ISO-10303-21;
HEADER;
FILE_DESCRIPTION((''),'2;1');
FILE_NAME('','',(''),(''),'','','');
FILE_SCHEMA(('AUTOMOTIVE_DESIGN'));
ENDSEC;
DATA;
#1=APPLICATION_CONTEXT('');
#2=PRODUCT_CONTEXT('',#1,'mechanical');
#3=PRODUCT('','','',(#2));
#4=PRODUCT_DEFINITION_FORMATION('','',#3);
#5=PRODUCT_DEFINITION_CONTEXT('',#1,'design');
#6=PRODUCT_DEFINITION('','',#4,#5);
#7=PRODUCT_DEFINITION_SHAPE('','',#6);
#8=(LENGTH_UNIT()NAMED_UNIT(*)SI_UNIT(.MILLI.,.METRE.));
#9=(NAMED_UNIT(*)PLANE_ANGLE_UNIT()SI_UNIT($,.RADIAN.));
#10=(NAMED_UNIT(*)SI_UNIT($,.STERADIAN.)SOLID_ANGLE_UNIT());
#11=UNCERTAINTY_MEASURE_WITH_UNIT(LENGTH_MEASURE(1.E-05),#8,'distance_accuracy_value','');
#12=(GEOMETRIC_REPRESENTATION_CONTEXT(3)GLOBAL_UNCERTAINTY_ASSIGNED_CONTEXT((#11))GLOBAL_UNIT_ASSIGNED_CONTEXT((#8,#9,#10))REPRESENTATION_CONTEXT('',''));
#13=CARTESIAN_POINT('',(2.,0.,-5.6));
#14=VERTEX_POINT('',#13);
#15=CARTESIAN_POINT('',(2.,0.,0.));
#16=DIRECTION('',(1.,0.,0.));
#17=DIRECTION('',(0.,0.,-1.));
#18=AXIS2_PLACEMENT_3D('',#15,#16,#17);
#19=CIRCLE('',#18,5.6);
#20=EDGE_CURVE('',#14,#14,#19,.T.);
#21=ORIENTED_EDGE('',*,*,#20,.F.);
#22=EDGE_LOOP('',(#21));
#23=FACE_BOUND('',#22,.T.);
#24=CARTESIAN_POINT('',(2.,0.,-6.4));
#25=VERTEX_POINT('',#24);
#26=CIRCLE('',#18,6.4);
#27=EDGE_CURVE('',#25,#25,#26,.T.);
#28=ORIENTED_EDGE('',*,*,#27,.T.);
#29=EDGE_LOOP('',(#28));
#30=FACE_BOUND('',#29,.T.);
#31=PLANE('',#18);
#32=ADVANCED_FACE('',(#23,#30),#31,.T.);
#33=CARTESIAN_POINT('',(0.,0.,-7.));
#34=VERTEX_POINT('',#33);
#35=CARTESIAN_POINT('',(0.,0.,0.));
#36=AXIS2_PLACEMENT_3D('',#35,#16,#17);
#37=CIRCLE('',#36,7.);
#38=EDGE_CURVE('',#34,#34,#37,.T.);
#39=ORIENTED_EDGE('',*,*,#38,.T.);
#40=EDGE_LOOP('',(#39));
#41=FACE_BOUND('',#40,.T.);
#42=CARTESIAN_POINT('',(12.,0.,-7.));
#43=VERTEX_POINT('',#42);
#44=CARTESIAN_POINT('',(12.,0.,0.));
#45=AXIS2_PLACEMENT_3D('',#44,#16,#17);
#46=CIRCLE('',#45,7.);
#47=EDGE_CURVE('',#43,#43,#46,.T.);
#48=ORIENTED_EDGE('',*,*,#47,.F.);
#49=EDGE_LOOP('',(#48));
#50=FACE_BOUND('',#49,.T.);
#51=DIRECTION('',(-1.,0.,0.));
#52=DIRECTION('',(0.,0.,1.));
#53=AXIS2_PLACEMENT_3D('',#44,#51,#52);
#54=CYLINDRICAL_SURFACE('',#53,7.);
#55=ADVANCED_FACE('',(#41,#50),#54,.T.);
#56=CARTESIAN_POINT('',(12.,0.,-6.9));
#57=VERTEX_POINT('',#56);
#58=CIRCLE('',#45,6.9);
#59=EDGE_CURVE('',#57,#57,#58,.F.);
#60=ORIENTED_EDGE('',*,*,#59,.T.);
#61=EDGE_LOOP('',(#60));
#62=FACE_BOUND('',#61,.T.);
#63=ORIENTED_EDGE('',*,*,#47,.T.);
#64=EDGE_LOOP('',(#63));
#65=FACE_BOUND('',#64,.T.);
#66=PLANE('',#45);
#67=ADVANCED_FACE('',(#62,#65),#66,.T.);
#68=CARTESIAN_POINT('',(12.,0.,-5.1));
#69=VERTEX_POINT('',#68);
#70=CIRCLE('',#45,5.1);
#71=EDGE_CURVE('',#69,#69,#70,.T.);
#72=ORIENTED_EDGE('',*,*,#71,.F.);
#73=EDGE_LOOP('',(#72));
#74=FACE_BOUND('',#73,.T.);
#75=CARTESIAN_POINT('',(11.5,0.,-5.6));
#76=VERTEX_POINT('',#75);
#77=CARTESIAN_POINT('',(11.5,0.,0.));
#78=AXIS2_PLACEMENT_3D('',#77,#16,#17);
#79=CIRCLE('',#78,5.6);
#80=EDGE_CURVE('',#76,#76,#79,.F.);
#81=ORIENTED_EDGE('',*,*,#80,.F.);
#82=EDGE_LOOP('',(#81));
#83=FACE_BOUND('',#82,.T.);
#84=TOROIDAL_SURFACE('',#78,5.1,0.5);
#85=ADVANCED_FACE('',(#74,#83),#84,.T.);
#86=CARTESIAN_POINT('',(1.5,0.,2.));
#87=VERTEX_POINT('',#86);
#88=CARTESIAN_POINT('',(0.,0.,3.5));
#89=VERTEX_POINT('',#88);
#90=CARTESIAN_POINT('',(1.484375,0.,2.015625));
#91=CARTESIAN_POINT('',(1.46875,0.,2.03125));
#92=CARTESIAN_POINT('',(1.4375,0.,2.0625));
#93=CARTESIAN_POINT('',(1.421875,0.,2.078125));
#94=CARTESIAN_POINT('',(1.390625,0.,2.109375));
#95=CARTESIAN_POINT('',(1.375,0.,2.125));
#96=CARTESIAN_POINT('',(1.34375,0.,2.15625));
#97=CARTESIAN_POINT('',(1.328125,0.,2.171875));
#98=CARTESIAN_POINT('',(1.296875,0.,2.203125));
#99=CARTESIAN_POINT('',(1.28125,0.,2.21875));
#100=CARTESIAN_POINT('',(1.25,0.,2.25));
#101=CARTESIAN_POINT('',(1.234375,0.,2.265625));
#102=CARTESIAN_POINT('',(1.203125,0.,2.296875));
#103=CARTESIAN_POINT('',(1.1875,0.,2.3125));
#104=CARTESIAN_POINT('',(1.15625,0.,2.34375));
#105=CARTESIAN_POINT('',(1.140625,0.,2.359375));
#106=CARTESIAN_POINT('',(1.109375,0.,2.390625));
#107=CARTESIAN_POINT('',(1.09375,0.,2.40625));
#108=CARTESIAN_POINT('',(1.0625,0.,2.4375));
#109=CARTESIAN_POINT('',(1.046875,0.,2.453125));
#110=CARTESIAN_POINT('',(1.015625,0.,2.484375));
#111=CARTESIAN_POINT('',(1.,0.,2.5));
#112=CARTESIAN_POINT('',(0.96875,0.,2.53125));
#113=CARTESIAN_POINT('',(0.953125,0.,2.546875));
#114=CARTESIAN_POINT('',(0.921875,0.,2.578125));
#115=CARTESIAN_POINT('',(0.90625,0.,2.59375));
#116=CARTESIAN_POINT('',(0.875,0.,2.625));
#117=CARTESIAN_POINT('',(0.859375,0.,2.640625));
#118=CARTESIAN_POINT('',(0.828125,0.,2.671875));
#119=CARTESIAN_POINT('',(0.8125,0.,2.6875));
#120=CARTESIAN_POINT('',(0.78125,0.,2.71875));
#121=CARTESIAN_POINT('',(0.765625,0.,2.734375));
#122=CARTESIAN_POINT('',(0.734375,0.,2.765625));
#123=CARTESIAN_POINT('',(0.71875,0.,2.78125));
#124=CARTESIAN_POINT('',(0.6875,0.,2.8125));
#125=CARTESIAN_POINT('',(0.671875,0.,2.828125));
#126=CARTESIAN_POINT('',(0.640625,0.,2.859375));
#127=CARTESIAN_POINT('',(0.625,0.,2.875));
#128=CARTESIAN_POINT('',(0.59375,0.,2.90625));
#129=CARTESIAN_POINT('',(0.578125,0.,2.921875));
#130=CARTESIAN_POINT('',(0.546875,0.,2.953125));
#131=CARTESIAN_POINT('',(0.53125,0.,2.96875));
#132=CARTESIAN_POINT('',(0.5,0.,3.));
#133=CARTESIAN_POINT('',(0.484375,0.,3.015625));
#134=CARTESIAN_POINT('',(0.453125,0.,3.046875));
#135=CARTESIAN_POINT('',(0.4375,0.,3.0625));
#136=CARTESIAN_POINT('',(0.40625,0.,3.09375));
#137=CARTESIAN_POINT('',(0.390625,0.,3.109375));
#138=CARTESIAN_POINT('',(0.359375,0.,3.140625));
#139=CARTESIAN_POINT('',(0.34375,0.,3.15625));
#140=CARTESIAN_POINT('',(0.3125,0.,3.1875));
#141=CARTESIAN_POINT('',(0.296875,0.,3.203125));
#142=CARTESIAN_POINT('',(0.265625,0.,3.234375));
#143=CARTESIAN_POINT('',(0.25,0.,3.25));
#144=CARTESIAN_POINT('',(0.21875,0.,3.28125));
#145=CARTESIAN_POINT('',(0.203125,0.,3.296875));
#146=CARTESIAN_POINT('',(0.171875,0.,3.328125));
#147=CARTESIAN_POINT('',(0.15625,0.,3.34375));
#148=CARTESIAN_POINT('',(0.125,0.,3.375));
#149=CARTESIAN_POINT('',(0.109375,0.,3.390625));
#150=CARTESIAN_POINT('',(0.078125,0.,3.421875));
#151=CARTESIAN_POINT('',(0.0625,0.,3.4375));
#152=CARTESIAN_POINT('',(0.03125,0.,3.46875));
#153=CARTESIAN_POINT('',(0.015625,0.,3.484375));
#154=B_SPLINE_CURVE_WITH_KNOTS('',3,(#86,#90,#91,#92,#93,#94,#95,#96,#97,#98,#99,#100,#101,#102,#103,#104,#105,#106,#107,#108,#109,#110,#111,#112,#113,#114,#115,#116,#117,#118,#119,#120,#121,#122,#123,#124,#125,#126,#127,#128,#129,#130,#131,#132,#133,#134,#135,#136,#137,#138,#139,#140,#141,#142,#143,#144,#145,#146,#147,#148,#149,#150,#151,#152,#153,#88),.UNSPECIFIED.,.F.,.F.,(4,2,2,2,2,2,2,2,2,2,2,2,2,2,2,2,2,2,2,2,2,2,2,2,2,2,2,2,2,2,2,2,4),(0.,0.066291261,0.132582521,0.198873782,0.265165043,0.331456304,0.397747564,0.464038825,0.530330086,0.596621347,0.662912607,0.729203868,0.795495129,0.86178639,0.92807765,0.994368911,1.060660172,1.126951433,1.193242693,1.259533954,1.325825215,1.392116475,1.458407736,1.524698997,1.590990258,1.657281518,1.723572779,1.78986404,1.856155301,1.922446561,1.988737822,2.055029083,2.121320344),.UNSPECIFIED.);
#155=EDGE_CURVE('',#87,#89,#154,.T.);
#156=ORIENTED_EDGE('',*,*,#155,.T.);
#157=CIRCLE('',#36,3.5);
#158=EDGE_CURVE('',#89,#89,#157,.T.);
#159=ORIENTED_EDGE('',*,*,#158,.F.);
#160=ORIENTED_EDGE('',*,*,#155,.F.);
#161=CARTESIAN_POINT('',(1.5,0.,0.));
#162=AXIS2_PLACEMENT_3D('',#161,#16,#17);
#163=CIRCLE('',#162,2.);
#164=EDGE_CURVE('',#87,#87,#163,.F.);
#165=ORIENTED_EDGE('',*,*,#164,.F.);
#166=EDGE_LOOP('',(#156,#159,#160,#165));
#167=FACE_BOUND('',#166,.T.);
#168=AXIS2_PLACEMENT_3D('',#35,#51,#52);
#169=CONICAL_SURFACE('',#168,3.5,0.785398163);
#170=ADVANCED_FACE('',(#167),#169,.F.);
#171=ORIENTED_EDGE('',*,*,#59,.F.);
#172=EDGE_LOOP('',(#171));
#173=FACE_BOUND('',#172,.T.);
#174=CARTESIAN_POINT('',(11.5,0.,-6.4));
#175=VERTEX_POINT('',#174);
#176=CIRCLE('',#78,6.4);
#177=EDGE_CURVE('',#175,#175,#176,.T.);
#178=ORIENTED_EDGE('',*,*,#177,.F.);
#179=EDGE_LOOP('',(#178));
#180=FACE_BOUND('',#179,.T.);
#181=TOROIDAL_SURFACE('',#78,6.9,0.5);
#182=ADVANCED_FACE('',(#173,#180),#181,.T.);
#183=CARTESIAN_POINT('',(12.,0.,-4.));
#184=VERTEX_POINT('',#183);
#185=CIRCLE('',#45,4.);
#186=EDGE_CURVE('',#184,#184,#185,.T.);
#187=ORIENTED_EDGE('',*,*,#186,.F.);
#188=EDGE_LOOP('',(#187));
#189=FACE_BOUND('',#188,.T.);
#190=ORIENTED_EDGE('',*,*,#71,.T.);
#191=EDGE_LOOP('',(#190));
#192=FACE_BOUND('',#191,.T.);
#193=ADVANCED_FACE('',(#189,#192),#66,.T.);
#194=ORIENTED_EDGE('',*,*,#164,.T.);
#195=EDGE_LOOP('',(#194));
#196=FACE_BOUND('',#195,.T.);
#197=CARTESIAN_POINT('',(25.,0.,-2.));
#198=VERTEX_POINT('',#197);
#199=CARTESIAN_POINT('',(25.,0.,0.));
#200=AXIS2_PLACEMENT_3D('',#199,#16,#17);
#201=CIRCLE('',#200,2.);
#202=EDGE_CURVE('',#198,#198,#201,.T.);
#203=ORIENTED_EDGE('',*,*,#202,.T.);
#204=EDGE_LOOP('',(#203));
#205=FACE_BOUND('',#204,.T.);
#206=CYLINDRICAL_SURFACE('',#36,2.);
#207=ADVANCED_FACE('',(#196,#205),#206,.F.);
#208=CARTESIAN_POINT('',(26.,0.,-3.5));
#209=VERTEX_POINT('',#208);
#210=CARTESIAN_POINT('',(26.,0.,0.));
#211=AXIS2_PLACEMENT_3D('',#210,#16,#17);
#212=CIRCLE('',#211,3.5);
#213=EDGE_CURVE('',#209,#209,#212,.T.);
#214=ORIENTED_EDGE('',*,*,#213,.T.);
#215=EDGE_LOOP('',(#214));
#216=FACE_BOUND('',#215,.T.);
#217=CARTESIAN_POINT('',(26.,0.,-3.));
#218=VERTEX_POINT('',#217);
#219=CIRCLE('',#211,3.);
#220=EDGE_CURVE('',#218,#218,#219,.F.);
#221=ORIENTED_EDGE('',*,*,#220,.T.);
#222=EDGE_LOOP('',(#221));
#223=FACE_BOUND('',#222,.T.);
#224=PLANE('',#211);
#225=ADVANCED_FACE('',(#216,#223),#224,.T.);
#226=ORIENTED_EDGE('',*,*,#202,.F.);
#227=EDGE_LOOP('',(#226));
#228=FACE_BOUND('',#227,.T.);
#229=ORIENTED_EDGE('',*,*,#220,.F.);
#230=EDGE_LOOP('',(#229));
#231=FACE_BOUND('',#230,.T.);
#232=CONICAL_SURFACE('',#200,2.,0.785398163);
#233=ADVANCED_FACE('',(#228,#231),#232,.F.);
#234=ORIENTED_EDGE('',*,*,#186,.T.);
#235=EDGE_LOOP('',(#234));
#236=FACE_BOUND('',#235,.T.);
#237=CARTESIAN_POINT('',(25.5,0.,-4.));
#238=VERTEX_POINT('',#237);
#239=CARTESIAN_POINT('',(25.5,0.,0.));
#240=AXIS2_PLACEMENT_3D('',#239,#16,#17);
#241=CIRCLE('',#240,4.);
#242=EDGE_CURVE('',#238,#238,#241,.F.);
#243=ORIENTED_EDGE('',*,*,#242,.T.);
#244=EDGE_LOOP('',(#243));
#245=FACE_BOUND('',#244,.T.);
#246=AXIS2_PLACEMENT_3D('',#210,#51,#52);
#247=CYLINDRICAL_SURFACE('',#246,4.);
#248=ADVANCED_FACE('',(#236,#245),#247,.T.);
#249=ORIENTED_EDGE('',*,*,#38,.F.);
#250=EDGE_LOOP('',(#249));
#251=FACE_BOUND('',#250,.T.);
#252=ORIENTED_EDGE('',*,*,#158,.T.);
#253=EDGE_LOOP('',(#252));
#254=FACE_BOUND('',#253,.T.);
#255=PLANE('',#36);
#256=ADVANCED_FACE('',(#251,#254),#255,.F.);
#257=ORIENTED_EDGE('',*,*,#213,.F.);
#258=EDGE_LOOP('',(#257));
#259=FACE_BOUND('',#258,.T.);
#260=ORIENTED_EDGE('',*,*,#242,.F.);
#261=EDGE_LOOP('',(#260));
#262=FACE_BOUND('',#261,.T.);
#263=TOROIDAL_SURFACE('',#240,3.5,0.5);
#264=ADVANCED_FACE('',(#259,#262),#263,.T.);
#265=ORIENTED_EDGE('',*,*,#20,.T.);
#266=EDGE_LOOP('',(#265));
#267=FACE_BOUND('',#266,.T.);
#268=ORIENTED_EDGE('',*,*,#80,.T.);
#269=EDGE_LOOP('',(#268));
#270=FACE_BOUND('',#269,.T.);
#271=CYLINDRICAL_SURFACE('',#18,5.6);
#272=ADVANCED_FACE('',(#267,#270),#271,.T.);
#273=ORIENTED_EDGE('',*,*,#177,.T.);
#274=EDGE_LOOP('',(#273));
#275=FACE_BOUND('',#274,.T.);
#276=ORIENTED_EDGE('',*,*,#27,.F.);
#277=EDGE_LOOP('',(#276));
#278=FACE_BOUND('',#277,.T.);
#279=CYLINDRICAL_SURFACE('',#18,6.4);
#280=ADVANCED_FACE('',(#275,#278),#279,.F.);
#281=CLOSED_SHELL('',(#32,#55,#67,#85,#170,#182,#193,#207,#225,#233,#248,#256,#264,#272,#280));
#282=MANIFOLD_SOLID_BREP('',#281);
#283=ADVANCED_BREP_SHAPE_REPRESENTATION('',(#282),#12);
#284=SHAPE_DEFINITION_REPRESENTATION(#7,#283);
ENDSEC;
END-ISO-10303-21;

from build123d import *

# Parameters (mm, degrees)
SKETCH_1_R          = 7
EXTRUDE_1_DEPTH     = 12
SKETCH_2_R          = 6.4
SKETCH_2_R_2        = 5.6
CUT_EXTRUDE_1_DEPTH = 10
SKETCH_3_R          = 4
EXTRUDE_2_DEPTH     = 14
SKETCH_4_R          = 2
CUT_EXTRUDE_2_DEPTH = 28.820855486
CHAMFER_1_SIZE      = 1.5
CHAMFER_2_SIZE      = 1
FILLET_1_R          = 0.5


with BuildPart() as part:
    # 草图1 → 凸台-拉伸1 (new body)
    with BuildSketch(Plane(origin=(0, 0, 0), x_dir=(0, 0, -1), z_dir=(1, 0, 0))):
        Circle(SKETCH_1_R)
    extrude(amount=EXTRUDE_1_DEPTH)

    # 草图2 → 切除-拉伸1 (cut)
    with BuildSketch(Plane(origin=(12, 0, 0), x_dir=(0, 0, -1), z_dir=(1, 0, 0))):
        Circle(SKETCH_2_R)
        Circle(SKETCH_2_R_2, mode=Mode.SUBTRACT)
    extrude(amount=-CUT_EXTRUDE_1_DEPTH, mode=Mode.SUBTRACT)

    # 草图3 → 凸台-拉伸2 (add)
    with BuildSketch(Plane(origin=(12, 0, 0), x_dir=(0, 0, -1), z_dir=(1, 0, 0))):
        Circle(SKETCH_3_R)
    extrude(amount=EXTRUDE_2_DEPTH)

    # 草图4 → 切除-拉伸2 (cut, through all)
    with BuildSketch(Plane(origin=(26, 0, 0), x_dir=(0, 0, -1), z_dir=(1, 0, 0))):
        Circle(SKETCH_4_R)
    extrude(amount=-CUT_EXTRUDE_2_DEPTH, mode=Mode.SUBTRACT)

    # 倒角1
    chamfer_1_edges = [part.edges().sort_by_distance(p)[0] for p in [
        (0, 0, 2),
    ]]
    chamfer(chamfer_1_edges, length=CHAMFER_1_SIZE)

    # 倒角2
    chamfer_2_edges = [part.edges().sort_by_distance(p)[0] for p in [
        (26, 0, 2),
    ]]
    chamfer(chamfer_2_edges, length=CHAMFER_2_SIZE)

    # 圆角1
    fillet_1_edges = [part.edges().sort_by_distance(p)[0] for p in [
        (26, 0, 4),
        (12, 0, 5.6),
        (12, 0, 6.4),
    ]]
    fillet(fillet_1_edges, radius=FILLET_1_R)


solid = part.part
